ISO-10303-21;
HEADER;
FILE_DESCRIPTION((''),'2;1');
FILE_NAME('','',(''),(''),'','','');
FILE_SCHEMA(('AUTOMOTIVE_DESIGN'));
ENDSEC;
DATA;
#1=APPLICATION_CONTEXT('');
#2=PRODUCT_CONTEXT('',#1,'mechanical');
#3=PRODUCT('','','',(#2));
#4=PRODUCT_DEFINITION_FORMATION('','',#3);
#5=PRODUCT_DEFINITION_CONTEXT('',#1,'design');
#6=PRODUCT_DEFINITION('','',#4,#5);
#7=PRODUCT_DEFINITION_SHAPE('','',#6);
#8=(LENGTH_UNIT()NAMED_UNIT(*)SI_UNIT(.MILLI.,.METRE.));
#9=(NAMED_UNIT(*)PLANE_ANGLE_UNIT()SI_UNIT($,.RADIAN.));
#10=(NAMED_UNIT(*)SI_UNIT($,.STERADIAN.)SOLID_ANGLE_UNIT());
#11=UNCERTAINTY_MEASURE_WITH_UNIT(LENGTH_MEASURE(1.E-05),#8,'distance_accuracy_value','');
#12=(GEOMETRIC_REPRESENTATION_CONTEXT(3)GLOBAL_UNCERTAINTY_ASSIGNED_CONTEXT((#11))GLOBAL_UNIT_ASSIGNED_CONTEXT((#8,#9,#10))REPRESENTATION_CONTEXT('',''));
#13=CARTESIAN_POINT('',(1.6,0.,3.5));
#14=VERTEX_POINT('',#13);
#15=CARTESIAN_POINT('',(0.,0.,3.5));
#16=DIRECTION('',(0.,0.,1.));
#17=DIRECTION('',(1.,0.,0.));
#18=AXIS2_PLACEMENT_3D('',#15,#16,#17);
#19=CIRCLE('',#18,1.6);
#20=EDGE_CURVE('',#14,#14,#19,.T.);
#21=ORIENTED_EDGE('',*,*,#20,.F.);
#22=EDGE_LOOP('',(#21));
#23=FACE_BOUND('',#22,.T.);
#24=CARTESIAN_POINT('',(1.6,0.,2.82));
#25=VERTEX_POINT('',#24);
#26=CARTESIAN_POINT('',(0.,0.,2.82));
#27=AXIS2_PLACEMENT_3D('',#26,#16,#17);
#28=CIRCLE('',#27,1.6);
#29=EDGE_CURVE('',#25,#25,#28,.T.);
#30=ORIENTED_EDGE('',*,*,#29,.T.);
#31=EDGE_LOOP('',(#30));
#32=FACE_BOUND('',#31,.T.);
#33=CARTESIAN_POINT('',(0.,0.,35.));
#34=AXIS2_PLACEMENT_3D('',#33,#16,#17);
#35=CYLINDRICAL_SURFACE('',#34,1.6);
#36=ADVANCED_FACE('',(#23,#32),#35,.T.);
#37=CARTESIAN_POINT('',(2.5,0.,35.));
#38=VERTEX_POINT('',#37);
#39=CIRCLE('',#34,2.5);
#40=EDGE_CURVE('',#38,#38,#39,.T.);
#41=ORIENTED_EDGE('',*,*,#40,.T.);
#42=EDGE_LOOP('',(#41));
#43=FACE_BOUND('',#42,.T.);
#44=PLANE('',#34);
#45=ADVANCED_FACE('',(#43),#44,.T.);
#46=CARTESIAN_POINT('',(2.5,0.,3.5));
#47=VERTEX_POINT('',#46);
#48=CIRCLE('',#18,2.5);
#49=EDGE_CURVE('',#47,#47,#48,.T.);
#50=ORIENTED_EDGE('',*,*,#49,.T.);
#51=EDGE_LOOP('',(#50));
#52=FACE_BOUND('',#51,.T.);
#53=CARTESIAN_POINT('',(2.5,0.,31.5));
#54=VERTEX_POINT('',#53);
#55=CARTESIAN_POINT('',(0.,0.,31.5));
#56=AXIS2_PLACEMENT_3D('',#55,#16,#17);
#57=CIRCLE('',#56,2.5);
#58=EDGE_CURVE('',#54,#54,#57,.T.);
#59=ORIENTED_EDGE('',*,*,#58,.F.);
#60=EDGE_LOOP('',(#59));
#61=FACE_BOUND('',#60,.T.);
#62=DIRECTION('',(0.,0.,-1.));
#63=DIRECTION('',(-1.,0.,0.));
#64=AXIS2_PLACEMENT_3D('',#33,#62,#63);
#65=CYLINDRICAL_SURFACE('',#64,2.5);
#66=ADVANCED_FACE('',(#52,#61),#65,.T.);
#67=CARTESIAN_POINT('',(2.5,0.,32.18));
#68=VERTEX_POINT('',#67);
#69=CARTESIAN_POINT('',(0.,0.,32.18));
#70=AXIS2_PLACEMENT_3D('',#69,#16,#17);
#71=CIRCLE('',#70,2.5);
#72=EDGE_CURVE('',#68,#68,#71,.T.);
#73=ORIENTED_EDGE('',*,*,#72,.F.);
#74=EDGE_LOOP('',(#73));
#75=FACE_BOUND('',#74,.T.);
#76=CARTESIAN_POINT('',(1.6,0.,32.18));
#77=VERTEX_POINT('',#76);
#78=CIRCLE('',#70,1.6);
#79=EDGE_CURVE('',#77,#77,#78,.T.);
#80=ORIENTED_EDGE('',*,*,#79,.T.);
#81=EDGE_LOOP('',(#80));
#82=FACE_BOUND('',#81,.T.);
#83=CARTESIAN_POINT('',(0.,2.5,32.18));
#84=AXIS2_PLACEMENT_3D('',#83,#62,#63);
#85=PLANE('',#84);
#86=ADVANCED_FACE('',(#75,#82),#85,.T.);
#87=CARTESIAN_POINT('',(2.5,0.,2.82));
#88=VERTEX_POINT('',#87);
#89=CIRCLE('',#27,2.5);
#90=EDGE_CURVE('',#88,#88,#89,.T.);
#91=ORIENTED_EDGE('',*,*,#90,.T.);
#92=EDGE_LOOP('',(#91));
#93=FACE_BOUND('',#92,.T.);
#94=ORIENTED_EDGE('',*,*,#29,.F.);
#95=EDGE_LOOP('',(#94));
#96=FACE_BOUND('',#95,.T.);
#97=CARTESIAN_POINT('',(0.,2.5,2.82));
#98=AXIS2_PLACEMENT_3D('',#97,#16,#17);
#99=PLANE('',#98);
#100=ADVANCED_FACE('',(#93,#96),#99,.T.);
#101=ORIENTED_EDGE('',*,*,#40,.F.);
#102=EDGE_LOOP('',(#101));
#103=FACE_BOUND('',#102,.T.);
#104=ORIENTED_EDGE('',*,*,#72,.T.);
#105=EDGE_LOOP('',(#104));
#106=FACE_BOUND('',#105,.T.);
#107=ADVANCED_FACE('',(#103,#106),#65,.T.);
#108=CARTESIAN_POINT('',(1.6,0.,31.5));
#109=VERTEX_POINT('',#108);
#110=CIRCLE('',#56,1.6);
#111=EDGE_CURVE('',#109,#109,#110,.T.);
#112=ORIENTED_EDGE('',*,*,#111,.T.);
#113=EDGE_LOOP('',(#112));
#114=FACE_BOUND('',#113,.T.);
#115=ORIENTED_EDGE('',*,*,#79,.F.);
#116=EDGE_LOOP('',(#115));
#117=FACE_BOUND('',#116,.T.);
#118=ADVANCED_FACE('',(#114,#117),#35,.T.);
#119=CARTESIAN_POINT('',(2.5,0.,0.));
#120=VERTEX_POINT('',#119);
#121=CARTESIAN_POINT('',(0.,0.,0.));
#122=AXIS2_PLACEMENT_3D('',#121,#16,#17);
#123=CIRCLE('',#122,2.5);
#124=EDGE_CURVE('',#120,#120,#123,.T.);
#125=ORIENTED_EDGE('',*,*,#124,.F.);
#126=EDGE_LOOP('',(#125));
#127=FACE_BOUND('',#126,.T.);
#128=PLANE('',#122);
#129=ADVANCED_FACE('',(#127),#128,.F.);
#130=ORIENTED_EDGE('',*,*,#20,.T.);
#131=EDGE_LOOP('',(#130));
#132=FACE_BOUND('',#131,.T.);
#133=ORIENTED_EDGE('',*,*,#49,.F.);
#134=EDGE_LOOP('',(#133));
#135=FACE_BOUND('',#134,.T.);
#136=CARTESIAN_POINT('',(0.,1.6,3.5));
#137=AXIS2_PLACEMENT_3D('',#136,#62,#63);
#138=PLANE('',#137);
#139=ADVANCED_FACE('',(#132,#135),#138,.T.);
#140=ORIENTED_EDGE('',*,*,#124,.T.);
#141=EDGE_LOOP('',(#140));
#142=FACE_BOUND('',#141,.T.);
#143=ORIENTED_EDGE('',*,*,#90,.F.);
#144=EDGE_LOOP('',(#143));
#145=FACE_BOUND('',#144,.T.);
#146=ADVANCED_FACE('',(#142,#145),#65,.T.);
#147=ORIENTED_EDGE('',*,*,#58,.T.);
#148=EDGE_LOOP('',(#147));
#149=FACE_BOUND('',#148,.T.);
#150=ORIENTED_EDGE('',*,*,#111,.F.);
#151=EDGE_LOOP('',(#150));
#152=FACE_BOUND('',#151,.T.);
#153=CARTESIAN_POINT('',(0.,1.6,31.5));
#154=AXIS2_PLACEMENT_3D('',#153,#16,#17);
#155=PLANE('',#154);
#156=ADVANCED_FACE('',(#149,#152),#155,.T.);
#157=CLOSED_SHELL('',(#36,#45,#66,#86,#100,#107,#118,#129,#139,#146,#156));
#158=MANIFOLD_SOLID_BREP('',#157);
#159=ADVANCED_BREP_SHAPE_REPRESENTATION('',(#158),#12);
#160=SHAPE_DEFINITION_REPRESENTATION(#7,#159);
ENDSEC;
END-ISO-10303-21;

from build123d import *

# Parameters (mm, degrees)
SKETCH1_R           = 2.5
BOSS_EXTRUDE1_DEPTH = 35
SKETCH2_W           = 0.68
SKETCH2_H           = 0.9


with BuildPart() as part:
    # Sketch1 → Boss-Extrude1 (new body)
    with BuildSketch(Plane.XY):
        Circle(SKETCH1_R)
    extrude(amount=BOSS_EXTRUDE1_DEPTH)

    # Sketch2 → Cut-Revolve1 (revolve, cut)
    with BuildSketch(Plane(origin=(0, 0, 0), x_dir=(0, 0, -1), z_dir=(1, 0, 0))):
        with Locations((-31.84, 2.05)):
            Rectangle(SKETCH2_W, SKETCH2_H)
        with Locations((-3.16, 2.05)):
            Rectangle(SKETCH2_W, SKETCH2_H)
    revolve(axis=Axis((0, 0, 35), (0, 0, -1)), mode=Mode.SUBTRACT)


solid = part.part
